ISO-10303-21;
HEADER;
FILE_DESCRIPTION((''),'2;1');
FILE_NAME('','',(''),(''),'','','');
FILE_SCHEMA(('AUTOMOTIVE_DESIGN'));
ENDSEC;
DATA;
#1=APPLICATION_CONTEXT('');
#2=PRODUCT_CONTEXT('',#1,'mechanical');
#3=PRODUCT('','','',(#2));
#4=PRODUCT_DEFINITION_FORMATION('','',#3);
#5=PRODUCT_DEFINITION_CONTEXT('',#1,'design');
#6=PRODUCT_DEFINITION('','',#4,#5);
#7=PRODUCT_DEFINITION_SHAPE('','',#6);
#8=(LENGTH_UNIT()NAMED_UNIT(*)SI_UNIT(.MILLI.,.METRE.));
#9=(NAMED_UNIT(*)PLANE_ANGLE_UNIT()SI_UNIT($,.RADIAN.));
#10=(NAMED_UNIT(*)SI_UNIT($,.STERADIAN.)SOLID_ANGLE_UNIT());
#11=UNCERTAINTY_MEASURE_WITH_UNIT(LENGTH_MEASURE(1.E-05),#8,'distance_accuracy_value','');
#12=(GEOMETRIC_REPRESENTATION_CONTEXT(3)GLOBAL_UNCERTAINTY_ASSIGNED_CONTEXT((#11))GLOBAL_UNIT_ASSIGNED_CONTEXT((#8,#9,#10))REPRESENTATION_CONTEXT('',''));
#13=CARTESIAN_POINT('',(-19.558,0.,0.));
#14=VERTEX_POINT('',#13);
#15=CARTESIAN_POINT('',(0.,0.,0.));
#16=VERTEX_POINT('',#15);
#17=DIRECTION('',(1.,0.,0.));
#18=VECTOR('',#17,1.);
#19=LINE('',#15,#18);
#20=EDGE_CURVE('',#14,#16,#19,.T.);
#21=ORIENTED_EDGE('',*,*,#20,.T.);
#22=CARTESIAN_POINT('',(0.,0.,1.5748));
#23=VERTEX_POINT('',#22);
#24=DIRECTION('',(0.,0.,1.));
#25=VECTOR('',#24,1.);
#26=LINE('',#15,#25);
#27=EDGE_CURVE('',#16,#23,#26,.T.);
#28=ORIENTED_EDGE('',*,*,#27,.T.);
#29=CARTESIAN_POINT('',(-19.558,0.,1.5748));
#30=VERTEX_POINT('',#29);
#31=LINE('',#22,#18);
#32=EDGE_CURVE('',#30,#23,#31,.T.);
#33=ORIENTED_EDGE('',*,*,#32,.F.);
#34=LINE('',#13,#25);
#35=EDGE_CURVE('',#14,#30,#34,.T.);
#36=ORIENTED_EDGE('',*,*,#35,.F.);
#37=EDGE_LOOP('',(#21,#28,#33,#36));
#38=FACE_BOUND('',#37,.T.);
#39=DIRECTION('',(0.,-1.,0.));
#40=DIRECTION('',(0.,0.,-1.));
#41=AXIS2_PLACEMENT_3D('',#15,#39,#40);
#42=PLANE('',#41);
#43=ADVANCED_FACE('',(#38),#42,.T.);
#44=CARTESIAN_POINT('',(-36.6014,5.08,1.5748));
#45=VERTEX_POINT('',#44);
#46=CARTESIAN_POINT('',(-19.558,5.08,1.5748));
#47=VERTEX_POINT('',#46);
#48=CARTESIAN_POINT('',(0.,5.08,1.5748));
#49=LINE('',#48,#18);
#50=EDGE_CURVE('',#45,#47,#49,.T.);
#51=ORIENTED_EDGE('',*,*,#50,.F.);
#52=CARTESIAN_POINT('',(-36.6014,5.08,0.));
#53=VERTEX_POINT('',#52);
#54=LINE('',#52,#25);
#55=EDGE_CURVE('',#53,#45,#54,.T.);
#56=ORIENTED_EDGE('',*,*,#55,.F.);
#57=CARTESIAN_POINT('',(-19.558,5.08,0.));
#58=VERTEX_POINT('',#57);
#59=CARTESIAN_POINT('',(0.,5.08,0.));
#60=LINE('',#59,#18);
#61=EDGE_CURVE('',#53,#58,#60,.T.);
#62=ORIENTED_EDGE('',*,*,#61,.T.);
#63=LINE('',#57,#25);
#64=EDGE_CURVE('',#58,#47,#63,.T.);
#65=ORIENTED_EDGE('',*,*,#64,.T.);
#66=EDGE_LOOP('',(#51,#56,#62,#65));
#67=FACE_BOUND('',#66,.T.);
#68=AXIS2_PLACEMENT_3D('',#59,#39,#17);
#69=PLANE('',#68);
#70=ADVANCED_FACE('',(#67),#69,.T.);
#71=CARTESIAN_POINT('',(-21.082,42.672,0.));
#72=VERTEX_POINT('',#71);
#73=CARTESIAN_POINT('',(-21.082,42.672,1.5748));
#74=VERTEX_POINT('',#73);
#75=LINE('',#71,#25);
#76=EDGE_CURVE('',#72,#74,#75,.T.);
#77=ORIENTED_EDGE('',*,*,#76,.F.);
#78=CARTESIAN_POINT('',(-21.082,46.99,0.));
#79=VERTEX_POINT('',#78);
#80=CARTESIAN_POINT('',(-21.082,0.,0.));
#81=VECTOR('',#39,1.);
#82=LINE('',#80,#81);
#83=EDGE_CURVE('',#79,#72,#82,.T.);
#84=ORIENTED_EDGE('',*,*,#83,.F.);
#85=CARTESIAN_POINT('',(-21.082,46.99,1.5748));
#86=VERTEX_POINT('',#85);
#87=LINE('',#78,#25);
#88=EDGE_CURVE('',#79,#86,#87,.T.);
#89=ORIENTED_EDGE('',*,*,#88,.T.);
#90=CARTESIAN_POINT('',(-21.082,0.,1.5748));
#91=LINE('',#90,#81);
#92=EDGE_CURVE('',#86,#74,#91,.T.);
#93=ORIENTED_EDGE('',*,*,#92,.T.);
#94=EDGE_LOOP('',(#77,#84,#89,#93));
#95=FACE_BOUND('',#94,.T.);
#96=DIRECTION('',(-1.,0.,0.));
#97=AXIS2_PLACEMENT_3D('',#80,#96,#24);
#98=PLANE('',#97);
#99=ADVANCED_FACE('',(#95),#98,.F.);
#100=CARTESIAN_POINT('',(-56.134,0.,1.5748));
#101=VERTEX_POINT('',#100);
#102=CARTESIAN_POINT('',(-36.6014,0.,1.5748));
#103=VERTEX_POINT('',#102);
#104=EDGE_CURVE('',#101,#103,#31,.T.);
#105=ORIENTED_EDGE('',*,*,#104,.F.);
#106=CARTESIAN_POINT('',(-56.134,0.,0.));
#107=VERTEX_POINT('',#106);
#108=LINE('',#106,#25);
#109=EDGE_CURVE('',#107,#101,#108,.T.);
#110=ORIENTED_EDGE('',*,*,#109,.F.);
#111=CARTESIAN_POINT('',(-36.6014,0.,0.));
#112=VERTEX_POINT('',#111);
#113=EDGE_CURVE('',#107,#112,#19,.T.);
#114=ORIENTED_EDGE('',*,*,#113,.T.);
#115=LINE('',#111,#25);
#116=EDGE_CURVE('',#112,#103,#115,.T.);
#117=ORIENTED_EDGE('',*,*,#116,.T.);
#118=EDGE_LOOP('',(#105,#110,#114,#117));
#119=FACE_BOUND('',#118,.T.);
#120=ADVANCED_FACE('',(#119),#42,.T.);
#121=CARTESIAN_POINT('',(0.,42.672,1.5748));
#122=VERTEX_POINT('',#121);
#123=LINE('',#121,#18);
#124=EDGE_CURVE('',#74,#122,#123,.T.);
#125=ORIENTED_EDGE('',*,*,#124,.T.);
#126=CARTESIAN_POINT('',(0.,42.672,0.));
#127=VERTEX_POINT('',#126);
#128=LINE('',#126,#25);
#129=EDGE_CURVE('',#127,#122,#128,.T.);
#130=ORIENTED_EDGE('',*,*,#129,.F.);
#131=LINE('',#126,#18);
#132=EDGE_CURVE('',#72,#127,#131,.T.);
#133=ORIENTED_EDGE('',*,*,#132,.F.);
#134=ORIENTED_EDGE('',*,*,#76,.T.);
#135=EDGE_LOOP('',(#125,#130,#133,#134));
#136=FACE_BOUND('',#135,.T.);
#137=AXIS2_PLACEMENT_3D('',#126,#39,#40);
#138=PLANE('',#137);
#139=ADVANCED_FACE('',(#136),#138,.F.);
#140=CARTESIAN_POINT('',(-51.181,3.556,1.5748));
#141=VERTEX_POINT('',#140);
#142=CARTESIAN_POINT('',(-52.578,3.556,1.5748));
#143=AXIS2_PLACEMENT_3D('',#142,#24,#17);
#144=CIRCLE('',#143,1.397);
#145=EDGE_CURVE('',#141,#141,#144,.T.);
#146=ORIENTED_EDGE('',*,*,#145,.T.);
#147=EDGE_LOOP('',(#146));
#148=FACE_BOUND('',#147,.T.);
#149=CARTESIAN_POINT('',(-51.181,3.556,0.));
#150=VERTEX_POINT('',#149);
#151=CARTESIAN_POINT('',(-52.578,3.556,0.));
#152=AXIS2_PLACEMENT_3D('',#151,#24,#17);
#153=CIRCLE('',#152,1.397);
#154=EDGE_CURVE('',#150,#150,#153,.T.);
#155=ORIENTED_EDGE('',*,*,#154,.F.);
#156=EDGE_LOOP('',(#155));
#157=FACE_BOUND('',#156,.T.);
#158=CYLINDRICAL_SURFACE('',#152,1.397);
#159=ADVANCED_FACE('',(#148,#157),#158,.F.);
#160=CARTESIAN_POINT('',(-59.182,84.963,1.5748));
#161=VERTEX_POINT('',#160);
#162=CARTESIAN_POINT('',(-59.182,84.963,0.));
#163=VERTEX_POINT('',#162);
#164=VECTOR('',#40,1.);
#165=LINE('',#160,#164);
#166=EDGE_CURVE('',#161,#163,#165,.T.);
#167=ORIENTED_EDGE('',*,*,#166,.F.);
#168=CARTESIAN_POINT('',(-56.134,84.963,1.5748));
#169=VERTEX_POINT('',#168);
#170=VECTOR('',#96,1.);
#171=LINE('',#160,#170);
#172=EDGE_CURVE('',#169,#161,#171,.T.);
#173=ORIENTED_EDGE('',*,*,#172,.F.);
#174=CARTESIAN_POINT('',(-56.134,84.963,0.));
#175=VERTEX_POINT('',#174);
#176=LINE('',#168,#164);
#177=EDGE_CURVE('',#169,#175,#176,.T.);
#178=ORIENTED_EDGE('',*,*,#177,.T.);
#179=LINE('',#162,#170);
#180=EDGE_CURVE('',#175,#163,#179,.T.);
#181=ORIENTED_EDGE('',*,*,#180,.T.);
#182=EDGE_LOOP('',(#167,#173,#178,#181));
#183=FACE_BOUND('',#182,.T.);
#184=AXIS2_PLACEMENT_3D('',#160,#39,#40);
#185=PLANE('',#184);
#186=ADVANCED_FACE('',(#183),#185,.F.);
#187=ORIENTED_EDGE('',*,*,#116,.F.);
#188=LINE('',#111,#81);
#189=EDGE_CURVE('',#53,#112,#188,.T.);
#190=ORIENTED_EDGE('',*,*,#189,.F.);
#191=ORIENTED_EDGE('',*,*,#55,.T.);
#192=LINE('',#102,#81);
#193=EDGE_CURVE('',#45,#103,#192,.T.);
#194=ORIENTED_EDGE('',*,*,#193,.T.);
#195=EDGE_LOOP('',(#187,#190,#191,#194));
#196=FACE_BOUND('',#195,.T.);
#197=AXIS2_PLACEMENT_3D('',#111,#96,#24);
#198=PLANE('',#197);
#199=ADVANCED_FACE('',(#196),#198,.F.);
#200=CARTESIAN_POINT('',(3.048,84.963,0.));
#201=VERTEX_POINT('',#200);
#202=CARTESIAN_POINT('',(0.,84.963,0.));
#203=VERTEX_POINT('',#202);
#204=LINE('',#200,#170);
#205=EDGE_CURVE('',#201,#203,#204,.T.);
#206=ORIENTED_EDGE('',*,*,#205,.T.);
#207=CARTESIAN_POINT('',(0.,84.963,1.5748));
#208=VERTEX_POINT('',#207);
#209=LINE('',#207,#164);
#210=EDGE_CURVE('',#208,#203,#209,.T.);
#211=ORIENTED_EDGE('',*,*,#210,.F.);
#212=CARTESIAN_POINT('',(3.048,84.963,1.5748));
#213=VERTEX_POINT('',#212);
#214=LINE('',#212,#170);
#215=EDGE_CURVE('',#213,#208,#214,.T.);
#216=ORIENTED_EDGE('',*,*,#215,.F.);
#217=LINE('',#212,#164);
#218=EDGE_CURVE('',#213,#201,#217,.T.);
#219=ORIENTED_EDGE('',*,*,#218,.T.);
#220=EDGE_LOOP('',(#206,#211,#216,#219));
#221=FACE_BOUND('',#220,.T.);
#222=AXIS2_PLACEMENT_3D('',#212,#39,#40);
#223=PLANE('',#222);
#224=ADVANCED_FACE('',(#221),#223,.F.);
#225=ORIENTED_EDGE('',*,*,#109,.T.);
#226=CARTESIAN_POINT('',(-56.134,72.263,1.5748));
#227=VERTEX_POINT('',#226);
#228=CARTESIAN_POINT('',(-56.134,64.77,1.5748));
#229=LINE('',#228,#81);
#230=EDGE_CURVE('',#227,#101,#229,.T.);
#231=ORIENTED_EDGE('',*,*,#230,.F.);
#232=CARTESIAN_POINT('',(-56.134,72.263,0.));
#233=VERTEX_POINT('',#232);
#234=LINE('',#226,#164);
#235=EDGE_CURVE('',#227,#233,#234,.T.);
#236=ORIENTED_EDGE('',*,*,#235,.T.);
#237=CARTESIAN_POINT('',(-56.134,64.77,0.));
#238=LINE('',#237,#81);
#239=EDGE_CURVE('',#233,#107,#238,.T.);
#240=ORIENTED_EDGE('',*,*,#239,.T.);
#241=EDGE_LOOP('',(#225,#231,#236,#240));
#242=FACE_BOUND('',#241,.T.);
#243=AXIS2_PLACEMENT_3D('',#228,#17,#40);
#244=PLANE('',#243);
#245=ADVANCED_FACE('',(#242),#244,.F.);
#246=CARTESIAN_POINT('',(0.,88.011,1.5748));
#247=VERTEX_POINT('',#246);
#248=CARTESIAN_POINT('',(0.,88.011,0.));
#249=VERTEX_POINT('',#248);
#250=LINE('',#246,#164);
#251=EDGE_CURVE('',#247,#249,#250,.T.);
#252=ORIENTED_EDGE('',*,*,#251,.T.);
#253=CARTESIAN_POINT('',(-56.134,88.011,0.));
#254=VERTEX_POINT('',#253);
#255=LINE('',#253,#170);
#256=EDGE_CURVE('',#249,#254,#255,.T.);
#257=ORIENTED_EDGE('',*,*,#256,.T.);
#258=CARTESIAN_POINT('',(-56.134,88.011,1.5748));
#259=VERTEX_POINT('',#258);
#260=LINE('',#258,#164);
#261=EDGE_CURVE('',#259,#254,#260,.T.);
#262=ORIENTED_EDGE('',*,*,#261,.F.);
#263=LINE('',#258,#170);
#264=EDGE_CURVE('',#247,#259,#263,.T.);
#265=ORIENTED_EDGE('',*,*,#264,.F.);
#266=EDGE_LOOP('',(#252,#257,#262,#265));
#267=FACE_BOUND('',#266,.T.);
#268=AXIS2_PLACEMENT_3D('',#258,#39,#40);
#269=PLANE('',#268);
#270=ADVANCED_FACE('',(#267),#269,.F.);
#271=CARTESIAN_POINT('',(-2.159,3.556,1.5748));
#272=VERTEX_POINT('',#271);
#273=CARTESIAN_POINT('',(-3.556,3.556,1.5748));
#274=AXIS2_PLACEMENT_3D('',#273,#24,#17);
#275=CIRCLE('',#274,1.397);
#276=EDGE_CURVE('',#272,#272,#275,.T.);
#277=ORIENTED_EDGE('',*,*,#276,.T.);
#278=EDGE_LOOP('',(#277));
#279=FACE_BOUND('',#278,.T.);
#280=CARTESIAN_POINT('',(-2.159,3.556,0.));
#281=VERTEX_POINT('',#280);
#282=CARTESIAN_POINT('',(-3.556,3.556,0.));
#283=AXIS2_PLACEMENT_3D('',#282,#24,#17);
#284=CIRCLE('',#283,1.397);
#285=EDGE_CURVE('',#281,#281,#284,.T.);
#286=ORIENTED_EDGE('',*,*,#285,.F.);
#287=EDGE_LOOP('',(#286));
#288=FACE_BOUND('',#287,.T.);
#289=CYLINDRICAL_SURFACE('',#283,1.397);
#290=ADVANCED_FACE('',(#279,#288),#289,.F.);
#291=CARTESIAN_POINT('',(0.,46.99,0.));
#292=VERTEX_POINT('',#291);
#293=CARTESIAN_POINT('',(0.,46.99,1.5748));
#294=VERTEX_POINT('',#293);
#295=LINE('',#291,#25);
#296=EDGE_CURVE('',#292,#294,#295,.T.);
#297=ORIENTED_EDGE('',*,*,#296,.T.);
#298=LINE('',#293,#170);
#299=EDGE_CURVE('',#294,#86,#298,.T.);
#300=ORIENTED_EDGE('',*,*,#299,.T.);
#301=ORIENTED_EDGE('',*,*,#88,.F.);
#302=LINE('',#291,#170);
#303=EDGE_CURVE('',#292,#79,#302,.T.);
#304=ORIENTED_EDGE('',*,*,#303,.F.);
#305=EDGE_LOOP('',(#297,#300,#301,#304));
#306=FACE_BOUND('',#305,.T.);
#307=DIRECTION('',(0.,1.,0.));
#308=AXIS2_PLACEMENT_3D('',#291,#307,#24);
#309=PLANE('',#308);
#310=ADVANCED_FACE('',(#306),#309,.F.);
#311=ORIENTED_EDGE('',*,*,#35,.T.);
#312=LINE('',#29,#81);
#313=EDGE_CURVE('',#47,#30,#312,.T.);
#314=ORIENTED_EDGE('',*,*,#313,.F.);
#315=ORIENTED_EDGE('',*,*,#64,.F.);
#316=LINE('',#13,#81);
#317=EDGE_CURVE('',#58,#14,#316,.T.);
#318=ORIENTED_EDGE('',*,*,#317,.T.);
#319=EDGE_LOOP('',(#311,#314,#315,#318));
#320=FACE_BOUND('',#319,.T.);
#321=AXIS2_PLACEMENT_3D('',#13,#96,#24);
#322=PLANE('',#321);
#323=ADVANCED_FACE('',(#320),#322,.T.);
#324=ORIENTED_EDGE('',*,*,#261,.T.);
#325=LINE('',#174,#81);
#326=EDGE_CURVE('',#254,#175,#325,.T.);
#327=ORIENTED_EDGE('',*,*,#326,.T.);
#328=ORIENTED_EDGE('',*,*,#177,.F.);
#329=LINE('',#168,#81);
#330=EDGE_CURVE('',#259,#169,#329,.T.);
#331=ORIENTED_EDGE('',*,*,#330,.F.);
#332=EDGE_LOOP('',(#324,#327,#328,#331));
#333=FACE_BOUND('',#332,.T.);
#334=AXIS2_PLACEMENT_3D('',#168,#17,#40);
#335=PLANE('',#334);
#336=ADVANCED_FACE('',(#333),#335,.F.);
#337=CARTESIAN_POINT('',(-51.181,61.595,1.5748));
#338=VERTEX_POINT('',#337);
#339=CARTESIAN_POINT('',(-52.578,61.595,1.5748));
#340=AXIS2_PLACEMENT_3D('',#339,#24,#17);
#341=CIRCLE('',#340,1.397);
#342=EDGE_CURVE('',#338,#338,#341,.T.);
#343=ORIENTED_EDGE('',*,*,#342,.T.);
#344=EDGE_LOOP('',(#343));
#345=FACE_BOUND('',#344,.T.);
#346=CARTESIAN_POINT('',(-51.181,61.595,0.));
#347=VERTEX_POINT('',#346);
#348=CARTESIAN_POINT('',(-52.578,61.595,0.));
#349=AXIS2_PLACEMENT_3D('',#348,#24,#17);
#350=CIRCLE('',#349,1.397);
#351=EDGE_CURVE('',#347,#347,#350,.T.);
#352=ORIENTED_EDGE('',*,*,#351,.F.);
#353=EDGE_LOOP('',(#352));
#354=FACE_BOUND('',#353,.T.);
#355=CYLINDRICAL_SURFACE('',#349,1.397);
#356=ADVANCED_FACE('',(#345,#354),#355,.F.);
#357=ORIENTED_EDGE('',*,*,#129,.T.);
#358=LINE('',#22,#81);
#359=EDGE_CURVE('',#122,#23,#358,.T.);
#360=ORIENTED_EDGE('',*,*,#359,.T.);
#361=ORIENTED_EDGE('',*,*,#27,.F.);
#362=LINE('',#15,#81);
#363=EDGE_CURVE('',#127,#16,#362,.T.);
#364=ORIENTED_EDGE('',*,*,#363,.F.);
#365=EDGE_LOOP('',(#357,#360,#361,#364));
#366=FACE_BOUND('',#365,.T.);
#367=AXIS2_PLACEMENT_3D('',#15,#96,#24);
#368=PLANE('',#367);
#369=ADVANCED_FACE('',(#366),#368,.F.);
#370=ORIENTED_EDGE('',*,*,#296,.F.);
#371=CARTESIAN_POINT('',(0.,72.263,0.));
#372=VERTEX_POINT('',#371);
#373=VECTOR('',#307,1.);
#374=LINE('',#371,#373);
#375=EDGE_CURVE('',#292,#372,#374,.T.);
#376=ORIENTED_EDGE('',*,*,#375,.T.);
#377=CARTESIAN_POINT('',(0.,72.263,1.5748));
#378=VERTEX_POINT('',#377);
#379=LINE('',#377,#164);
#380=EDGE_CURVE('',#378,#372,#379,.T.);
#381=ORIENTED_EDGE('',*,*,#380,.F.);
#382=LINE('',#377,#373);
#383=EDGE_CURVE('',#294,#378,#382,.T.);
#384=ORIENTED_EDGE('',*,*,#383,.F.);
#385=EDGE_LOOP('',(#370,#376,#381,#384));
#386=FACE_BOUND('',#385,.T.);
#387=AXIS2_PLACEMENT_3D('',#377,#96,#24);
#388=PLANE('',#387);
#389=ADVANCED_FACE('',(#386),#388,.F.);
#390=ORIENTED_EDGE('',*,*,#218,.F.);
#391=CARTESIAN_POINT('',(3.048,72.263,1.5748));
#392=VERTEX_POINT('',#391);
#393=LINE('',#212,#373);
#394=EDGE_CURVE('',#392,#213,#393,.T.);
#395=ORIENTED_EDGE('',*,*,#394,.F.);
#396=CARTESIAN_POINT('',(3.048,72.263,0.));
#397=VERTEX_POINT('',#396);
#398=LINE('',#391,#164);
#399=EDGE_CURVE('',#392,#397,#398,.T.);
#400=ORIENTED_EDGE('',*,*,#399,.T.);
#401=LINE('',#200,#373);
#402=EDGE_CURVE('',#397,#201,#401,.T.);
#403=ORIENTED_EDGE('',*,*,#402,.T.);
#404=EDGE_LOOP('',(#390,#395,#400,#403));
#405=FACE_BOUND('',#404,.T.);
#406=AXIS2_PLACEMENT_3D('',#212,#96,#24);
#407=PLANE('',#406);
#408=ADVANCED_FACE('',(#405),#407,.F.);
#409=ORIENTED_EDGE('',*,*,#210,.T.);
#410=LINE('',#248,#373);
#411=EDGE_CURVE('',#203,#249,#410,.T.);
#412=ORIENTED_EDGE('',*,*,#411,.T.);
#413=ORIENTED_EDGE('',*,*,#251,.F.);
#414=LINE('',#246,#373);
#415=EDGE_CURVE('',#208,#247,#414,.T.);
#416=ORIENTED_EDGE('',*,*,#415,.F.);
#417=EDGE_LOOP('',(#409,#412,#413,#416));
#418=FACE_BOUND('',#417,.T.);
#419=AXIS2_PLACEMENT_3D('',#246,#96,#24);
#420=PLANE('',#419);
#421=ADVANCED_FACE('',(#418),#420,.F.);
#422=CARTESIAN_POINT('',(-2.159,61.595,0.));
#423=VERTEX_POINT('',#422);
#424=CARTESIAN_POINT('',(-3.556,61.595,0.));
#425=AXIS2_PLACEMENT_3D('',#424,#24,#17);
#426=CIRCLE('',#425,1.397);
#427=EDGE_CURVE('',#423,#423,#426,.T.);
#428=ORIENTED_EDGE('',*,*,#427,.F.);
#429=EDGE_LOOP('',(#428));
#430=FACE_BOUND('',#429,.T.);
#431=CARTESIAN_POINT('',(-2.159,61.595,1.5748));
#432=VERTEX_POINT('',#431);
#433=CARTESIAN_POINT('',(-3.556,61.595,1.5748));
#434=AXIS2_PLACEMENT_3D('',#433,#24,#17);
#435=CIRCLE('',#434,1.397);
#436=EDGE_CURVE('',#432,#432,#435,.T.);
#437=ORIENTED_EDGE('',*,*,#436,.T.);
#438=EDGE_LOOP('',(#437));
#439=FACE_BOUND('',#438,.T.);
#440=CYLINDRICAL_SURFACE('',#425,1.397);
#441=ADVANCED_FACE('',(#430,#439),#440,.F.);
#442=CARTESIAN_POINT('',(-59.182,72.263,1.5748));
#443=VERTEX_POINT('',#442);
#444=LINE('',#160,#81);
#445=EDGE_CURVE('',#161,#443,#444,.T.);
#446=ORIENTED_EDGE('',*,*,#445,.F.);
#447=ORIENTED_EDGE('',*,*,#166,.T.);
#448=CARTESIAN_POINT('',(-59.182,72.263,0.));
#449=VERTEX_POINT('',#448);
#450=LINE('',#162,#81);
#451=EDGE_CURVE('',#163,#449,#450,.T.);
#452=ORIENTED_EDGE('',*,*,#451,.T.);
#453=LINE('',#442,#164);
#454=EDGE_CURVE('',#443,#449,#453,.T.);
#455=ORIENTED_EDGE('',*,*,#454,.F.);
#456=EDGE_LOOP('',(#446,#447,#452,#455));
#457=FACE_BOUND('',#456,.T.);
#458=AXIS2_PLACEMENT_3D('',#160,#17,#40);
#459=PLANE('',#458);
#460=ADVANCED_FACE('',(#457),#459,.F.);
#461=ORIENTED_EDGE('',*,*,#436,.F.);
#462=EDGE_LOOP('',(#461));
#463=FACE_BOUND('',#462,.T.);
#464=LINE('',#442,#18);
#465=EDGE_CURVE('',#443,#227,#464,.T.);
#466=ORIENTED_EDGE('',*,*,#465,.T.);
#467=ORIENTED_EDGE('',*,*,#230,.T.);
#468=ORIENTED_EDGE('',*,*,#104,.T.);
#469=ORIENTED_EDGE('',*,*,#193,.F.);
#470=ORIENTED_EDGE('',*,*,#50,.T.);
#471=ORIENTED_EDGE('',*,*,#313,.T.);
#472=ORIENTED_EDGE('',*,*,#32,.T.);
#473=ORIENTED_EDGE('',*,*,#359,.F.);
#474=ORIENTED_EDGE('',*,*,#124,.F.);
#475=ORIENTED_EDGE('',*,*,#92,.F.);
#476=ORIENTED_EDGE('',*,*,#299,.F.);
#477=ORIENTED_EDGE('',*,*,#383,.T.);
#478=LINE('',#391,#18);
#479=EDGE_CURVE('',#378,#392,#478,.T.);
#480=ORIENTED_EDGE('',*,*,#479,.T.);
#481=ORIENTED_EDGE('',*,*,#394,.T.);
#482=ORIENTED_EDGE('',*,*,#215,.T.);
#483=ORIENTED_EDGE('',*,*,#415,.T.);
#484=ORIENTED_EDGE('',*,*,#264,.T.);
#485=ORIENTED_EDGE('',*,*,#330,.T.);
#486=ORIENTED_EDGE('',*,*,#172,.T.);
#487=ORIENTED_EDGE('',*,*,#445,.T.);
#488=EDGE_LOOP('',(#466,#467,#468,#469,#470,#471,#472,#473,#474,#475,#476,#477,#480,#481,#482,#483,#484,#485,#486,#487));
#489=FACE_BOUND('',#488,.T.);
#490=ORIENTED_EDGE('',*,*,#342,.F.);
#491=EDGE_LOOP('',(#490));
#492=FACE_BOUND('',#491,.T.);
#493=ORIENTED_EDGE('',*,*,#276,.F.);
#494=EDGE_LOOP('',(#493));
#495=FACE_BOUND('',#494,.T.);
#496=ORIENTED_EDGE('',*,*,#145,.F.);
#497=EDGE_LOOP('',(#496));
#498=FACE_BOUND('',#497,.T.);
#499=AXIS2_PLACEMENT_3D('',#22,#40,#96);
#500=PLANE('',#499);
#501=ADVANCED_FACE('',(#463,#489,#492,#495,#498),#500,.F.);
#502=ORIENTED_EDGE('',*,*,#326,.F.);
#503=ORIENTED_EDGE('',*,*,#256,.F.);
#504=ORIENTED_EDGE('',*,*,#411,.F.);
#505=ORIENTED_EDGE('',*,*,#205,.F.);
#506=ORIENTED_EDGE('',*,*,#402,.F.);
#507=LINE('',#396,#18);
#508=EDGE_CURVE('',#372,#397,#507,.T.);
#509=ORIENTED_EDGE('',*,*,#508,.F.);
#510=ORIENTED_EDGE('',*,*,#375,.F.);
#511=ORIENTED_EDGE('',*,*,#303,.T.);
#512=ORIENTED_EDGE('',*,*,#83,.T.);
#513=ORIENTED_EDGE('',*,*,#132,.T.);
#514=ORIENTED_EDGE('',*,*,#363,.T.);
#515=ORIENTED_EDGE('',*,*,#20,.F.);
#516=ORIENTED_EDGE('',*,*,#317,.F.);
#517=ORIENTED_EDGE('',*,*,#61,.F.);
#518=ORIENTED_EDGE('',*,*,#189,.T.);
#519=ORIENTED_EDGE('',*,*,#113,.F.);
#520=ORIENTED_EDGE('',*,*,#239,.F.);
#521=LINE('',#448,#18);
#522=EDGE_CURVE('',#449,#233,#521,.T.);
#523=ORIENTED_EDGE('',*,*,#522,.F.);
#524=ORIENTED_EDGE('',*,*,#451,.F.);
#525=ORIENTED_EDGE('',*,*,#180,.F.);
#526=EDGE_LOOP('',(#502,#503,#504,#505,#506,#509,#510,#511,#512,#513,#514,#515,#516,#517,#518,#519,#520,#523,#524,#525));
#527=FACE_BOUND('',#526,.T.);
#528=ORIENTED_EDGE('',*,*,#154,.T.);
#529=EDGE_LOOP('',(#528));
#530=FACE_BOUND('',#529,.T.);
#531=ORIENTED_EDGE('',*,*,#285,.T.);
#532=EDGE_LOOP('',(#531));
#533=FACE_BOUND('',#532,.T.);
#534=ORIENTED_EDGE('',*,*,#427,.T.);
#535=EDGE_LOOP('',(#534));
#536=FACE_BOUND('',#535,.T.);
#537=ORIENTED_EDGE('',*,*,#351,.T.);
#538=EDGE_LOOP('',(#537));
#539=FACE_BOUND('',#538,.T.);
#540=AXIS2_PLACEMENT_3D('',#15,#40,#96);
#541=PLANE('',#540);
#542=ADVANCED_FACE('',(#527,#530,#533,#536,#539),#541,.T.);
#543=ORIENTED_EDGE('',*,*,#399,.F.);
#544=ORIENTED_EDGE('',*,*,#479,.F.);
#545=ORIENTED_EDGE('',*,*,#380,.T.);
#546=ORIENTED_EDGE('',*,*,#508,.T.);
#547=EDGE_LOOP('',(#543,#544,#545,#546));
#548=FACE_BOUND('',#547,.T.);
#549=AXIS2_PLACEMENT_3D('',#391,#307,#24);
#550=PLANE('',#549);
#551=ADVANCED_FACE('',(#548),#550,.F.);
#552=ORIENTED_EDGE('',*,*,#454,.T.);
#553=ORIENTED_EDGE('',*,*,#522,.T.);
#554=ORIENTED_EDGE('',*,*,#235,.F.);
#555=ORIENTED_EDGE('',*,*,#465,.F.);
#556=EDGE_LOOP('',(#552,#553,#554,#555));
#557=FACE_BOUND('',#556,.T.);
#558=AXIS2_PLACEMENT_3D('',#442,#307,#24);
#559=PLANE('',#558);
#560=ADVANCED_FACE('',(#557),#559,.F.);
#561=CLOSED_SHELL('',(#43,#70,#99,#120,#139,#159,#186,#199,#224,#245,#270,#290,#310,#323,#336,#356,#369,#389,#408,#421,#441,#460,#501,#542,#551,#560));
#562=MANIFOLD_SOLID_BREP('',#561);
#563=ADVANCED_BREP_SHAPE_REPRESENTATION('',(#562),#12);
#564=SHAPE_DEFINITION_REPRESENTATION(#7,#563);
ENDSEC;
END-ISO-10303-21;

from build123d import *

# Parameters (mm, degrees)
BOSS_EXTRUDE1_DEPTH = 1.5748
SKETCH2_R           = 1.397
BOSS_EXTRUDE2_DEPTH = 1.5748


with BuildPart() as part:
    # Sketch1 → Boss-Extrude1 (new body)
    with BuildSketch(Plane.XY):
        Polygon((3.048, 84.963), (0, 84.963), (0, 88.011), (-56.134, 88.011), (-56.134, 84.963), (-59.182, 84.963), (-59.182, 72.263), (-56.134, 72.263), (-56.134, 64.77), (0, 64.77), (0, 72.263), (3.048, 72.263), align=None)
    extrude(amount=BOSS_EXTRUDE1_DEPTH)

    # Sketch2 → Boss-Extrude2 (add)
    with BuildSketch(Plane.XY.offset(1.5748)):
        Polygon((-36.6014, 0), (-36.6014, 5.08), (-19.558, 5.08), (-19.558, 0), (0, 0), (0, 42.672), (-21.082, 42.672), (-21.082, 46.99), (0, 46.99), (0, 64.77), (-56.134, 64.77), (-56.134, 0), align=None)
        with Locations((-52.578, 3.556)):
            Circle(SKETCH2_R, mode=Mode.SUBTRACT)
        with Locations((-3.556, 3.556)):
            Circle(SKETCH2_R, mode=Mode.SUBTRACT)
        with Locations((-52.578, 61.595)):
            Circle(SKETCH2_R, mode=Mode.SUBTRACT)
        with Locations((-3.556, 61.595)):
            Circle(SKETCH2_R, mode=Mode.SUBTRACT)
    extrude(amount=-BOSS_EXTRUDE2_DEPTH)


solid = part.part
